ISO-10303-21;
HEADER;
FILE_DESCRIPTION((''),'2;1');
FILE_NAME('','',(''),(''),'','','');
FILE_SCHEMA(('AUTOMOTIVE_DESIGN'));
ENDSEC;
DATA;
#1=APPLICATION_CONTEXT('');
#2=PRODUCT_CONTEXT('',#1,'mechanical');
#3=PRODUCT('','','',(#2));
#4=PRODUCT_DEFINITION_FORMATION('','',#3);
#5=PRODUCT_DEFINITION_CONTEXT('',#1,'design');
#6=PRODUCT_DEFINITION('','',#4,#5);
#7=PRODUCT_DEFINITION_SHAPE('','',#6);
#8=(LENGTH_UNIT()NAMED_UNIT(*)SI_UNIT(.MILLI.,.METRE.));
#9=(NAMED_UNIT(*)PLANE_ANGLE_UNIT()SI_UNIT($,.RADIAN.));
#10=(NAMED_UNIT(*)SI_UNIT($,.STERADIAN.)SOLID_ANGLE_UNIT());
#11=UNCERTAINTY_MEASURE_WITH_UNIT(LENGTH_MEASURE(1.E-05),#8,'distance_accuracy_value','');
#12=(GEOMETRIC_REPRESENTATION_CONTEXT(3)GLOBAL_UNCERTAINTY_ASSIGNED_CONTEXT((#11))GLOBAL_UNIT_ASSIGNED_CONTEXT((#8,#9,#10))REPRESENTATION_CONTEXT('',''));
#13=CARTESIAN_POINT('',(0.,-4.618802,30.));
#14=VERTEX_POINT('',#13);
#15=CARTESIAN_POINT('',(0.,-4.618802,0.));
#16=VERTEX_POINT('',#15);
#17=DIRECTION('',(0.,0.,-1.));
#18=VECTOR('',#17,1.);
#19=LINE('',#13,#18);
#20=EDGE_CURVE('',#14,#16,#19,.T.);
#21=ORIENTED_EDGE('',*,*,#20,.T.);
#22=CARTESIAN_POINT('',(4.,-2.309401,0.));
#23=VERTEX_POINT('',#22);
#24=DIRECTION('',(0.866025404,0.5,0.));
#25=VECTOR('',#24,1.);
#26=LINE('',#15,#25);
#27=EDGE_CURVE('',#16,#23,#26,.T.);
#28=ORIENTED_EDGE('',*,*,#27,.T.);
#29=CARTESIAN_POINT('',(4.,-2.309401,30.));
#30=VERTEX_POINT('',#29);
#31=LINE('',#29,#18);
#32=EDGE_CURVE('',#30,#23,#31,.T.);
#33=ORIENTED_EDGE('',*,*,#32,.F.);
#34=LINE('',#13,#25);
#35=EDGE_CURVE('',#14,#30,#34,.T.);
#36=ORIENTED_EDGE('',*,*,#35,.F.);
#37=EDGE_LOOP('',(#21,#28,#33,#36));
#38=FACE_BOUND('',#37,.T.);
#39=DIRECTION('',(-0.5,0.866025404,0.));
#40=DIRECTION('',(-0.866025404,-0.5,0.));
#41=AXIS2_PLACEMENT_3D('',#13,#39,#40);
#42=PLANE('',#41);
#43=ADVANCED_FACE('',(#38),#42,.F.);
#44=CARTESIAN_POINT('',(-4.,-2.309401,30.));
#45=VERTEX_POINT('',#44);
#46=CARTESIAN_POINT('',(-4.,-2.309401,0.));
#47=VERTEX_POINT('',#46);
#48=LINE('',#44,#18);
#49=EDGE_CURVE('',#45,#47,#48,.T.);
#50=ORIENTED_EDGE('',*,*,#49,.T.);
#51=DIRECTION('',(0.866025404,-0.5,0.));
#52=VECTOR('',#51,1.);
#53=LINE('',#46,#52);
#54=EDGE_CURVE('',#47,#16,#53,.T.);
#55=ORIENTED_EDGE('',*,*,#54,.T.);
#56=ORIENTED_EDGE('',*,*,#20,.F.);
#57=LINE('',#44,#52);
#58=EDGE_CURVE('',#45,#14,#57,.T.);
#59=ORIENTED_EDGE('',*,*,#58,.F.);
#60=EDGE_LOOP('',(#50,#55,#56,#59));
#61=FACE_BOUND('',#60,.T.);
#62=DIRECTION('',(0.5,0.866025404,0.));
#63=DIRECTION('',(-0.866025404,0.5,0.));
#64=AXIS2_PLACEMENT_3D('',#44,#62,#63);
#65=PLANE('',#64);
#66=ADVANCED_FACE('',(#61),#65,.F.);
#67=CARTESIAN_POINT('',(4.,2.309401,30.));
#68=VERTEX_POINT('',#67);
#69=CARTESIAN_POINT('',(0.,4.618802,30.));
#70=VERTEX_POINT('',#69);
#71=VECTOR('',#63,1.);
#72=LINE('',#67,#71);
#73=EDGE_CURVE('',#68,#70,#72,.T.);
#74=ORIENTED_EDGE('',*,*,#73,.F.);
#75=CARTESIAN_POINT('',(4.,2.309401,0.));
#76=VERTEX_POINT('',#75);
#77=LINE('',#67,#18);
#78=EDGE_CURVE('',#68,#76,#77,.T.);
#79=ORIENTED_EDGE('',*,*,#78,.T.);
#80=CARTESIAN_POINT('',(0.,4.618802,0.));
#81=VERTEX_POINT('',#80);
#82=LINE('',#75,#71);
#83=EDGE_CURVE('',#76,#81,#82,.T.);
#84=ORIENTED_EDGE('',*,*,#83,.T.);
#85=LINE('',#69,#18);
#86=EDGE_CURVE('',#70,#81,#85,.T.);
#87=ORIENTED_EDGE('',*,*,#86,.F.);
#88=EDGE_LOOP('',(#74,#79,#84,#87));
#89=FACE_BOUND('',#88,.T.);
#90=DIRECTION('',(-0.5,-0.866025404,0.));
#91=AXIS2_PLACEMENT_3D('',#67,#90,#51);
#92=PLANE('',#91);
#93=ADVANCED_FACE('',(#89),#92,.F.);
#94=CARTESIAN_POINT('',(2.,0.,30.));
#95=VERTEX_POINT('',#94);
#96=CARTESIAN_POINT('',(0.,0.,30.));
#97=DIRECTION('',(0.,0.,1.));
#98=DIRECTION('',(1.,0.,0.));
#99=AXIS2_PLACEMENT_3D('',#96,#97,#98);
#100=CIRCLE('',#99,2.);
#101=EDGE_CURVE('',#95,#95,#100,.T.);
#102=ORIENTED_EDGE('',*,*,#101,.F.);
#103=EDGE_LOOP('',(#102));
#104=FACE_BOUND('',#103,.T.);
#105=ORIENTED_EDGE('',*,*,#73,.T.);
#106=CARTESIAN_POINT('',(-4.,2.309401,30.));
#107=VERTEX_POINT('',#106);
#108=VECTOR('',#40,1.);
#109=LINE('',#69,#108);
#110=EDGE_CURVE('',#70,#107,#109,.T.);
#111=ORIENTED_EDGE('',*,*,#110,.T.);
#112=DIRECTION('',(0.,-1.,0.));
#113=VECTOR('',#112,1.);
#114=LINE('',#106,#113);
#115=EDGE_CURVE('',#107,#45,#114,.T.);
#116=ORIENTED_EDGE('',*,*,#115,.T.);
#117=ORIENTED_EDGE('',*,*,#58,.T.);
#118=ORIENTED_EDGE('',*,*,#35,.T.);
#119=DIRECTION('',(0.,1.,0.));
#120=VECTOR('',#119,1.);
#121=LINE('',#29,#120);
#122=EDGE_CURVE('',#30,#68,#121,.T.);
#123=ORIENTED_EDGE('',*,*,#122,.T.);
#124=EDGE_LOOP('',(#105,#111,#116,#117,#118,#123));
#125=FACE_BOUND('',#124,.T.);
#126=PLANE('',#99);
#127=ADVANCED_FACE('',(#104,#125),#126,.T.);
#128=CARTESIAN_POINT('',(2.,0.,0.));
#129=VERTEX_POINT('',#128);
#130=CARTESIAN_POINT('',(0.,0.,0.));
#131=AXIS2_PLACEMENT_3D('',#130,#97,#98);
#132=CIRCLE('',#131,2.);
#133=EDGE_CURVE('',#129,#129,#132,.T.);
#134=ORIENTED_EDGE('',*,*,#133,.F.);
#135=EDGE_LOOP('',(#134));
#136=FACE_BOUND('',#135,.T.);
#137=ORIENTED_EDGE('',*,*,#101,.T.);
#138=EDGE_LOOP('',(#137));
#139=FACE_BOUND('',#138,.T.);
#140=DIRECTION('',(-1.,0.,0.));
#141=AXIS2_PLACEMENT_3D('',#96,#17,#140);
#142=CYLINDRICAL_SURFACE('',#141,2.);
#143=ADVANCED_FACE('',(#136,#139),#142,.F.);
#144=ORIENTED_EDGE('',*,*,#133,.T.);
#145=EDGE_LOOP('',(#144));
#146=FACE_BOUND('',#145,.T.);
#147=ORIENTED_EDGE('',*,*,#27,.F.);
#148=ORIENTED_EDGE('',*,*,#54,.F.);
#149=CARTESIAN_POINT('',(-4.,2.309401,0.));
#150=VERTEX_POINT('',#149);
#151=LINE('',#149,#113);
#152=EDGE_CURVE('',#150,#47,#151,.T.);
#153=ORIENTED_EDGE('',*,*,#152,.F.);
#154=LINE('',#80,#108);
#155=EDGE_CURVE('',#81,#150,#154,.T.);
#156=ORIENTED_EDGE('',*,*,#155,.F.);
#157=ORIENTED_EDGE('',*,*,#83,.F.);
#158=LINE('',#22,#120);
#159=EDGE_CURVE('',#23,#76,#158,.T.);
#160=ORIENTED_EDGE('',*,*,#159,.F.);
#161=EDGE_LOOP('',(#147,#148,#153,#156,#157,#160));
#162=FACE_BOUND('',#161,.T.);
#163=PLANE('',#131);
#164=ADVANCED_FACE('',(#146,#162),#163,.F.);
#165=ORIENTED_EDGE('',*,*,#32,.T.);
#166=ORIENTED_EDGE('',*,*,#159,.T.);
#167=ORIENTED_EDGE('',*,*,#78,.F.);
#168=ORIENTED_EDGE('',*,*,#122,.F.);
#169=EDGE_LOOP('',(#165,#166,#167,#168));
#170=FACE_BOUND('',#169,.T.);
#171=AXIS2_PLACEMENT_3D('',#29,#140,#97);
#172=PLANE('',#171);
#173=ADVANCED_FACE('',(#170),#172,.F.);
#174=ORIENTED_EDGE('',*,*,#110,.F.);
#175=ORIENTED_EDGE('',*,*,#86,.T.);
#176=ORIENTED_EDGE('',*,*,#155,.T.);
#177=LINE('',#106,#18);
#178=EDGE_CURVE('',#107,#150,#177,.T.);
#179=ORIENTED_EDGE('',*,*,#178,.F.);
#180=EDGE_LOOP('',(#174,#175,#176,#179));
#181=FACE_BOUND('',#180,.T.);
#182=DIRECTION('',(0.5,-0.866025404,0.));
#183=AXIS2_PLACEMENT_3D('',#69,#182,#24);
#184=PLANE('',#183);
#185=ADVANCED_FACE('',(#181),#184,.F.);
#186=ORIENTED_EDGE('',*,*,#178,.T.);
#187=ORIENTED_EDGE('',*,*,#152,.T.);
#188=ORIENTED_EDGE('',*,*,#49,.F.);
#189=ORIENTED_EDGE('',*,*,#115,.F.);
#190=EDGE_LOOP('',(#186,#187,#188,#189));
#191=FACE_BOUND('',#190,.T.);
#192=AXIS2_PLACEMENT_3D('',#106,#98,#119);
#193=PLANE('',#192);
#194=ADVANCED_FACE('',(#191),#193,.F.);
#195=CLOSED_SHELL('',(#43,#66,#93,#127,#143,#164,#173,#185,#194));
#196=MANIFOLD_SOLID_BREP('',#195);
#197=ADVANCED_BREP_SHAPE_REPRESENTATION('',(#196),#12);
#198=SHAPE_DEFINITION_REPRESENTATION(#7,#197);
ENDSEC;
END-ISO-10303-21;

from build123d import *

# Parameters (mm, degrees)
ESQUISSE1_R        = 2
BOSS_EXTRU_1_DEPTH = 30


with BuildPart() as part:
    # Esquisse1 → Boss.-Extru.1 (new body)
    with BuildSketch(Plane.XY):
        Polygon((4, -2.309401077), (4, 2.309401077), (0, 4.618802154), (-4, 2.309401077), (-4, -2.309401077), (0, -4.618802154), align=None)
        Circle(ESQUISSE1_R, mode=Mode.SUBTRACT)
    extrude(amount=BOSS_EXTRU_1_DEPTH)


solid = part.part
